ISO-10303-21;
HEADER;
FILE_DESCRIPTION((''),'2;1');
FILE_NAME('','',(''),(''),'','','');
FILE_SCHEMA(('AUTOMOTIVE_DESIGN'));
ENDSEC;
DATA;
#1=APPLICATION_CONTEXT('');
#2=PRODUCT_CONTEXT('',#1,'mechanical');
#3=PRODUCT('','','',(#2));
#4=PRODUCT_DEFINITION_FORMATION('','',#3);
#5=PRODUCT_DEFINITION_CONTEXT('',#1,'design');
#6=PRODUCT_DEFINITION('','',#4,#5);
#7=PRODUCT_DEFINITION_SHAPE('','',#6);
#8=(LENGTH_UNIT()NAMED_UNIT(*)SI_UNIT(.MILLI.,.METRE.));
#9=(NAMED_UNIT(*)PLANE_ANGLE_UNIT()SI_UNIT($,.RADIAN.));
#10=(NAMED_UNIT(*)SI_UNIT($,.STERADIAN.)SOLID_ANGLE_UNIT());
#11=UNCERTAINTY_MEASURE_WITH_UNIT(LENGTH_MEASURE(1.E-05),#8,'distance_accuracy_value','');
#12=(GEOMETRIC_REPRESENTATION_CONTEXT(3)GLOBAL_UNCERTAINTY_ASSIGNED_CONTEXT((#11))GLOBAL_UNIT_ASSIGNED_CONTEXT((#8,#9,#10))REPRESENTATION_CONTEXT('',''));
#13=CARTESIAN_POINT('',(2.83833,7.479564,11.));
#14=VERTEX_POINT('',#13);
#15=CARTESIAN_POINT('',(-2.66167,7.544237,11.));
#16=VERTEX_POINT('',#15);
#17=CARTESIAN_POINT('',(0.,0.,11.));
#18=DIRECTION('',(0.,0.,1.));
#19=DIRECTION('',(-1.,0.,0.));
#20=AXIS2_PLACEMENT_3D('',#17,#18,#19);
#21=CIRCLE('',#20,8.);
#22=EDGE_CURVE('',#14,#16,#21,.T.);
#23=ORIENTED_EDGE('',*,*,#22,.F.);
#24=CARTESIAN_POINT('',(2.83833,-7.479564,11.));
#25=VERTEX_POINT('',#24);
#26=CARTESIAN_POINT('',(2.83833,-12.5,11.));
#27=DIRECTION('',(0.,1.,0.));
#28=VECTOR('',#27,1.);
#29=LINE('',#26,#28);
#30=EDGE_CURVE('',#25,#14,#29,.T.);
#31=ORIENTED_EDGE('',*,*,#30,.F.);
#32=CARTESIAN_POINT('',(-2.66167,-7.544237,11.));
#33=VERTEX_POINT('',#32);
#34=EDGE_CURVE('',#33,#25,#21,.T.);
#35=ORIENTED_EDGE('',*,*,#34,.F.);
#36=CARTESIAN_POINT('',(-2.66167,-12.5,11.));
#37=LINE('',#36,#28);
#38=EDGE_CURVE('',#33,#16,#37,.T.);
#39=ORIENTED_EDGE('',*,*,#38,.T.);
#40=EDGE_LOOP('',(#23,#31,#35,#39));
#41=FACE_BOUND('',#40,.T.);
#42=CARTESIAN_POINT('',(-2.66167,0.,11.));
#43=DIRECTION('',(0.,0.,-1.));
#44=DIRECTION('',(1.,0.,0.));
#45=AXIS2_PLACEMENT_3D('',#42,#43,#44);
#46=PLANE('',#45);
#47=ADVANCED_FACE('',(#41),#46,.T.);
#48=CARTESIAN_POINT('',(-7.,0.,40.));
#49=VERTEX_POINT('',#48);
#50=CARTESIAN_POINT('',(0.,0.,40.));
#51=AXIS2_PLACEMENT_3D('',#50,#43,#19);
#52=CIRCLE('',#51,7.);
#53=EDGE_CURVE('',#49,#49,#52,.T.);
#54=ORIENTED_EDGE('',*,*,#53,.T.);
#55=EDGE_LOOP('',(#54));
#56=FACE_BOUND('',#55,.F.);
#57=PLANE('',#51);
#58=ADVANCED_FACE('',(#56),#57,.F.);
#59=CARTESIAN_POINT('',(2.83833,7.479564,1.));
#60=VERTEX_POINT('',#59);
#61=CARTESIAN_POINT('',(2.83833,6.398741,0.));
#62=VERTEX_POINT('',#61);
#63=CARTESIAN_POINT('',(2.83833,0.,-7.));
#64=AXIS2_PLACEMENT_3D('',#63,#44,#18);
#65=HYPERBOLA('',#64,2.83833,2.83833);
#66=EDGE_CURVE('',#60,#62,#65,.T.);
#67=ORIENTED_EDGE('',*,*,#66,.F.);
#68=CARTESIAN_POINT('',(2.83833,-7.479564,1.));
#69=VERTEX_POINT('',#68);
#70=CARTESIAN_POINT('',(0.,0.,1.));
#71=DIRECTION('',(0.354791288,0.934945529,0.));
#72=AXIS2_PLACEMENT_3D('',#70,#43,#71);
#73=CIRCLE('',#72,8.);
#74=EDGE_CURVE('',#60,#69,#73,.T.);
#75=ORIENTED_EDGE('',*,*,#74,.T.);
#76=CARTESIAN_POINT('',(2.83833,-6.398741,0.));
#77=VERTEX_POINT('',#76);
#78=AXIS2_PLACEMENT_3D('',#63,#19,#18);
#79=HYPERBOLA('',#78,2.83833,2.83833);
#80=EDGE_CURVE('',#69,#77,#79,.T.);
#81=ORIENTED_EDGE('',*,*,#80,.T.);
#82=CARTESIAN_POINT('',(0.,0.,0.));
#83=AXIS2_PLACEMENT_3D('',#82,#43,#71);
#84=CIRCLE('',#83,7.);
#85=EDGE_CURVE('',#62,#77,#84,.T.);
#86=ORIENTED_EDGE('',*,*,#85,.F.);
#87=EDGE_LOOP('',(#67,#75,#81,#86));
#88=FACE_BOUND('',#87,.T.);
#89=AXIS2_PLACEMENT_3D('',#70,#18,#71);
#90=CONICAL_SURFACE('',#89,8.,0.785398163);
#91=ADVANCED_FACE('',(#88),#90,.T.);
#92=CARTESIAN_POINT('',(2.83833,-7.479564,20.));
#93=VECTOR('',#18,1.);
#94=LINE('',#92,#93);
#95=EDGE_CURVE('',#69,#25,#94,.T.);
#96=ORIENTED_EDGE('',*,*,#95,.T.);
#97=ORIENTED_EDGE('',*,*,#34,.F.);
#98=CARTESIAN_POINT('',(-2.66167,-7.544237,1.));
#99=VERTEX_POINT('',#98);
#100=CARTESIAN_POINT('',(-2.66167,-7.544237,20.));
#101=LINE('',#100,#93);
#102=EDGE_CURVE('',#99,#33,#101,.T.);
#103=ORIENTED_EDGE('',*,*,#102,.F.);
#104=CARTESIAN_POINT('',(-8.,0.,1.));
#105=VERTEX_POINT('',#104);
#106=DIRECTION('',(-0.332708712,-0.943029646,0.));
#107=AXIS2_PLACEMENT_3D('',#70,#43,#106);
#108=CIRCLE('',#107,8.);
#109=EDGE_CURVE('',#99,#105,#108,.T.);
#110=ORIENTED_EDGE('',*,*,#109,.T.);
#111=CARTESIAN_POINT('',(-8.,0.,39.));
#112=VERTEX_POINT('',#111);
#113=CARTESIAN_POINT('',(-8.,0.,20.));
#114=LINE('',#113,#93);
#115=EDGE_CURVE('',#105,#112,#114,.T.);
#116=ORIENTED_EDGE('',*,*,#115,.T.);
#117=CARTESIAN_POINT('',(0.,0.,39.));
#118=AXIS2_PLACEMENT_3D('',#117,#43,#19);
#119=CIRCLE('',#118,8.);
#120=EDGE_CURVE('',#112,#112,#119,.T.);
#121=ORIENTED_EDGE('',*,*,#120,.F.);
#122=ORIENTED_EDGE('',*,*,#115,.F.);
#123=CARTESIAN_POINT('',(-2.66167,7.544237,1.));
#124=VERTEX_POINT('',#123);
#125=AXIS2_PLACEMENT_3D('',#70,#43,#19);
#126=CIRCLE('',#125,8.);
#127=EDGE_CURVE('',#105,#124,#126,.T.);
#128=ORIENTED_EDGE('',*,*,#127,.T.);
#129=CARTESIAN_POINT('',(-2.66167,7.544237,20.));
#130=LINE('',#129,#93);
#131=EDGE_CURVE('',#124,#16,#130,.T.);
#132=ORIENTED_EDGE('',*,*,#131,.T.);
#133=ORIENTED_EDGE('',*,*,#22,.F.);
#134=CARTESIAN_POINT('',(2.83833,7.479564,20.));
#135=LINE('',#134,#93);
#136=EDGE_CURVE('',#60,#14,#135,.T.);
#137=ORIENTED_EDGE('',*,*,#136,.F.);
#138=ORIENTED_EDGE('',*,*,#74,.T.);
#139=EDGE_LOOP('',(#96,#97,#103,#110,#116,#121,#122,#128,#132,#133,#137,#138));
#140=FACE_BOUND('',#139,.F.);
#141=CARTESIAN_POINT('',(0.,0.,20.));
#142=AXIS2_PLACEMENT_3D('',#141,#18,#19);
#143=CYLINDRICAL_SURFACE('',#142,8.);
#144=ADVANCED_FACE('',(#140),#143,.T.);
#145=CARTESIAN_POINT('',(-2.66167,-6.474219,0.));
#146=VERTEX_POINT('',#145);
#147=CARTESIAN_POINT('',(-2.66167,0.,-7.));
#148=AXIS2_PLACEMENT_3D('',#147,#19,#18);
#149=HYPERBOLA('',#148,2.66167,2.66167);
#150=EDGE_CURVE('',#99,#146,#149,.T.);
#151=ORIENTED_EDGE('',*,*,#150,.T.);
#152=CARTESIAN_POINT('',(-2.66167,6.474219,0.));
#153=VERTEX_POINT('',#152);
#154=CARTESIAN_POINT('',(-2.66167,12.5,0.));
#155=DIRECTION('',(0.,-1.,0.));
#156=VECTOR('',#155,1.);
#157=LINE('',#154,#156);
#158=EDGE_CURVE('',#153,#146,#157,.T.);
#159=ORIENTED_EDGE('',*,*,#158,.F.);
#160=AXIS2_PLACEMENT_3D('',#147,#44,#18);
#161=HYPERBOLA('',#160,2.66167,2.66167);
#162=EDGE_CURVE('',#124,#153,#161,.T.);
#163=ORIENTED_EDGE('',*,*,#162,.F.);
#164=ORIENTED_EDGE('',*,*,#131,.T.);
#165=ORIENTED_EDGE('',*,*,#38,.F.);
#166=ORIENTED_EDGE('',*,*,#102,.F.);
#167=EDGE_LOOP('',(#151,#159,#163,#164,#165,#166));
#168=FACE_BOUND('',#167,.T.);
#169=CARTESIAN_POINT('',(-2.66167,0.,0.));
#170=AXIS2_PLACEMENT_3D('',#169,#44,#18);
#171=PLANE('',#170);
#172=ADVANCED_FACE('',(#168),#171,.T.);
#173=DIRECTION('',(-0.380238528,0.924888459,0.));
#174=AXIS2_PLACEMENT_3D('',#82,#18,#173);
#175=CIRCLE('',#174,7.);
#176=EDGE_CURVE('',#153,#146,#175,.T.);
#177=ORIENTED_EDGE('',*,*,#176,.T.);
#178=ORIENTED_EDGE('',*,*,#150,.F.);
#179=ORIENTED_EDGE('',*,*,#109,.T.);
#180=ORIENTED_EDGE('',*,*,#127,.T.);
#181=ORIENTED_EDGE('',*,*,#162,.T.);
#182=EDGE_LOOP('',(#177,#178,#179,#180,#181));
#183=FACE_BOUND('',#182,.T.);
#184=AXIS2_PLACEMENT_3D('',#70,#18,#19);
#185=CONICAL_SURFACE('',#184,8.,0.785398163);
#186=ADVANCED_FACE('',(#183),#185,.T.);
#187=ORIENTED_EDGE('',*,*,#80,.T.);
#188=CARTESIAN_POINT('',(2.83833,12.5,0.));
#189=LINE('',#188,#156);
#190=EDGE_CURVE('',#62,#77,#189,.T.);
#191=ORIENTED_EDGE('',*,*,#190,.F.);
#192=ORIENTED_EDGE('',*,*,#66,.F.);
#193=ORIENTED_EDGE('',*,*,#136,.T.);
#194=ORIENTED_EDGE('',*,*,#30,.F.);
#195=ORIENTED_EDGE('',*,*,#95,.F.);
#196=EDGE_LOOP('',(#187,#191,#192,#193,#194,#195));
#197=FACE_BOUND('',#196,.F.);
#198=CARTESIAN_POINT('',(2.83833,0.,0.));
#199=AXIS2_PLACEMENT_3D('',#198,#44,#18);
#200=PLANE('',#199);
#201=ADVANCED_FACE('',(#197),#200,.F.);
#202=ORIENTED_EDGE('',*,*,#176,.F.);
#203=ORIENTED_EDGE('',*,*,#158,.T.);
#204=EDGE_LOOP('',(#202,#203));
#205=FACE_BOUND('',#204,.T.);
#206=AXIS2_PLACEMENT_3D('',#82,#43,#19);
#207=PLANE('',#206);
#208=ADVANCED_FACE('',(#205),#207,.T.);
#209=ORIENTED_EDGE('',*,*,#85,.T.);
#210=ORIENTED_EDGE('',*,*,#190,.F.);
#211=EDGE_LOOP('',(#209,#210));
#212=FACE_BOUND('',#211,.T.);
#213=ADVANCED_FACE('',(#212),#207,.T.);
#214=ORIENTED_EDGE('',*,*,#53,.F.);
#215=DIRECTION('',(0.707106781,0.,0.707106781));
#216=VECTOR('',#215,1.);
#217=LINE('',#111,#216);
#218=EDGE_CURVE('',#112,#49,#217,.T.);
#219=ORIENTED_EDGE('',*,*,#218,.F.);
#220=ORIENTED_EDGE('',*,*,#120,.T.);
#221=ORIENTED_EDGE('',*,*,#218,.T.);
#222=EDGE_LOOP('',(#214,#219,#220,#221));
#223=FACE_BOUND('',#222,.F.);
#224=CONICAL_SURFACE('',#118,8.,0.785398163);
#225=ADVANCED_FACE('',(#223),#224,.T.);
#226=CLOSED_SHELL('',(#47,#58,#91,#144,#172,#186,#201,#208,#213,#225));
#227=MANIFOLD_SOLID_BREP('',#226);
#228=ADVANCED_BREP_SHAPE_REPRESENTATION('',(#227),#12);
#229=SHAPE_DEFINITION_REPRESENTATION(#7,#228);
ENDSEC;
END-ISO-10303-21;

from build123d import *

# Parameters (mm, degrees)
F0_W     = 8
F0_H     = 40
F2_W     = 5.5
F2_H     = 11
F3_DEPTH = 12.5
F4_SIZE  = 1


with BuildPart() as f1:
    # F0 (on Front) → F1 (revolve)
    with BuildSketch(Plane.XZ):
        with Locations((-4, 20)):
            Rectangle(F0_W, F0_H)
    revolve(axis=Axis((0, 0, 20), (0, 0, -1)))

    # F2 (on Front) → F3 (cut, symmetric)
    with BuildSketch(Plane.XZ):
        with Locations((0.0883303039, 5.5)):
            Rectangle(F2_W, F2_H)
    extrude(amount=F3_DEPTH, both=True, mode=Mode.SUBTRACT)

    # F4
    f4_edges = [f1.edges().sort_by_distance(p)[0] for p in [
        (8, 0, 40),
        (8, 0, 0),
        (-6.530442, 4.620965, 0),
        (-6.530442, -4.620965, 0),
    ]]
    chamfer(f4_edges, length=F4_SIZE)


solid = f1.part
